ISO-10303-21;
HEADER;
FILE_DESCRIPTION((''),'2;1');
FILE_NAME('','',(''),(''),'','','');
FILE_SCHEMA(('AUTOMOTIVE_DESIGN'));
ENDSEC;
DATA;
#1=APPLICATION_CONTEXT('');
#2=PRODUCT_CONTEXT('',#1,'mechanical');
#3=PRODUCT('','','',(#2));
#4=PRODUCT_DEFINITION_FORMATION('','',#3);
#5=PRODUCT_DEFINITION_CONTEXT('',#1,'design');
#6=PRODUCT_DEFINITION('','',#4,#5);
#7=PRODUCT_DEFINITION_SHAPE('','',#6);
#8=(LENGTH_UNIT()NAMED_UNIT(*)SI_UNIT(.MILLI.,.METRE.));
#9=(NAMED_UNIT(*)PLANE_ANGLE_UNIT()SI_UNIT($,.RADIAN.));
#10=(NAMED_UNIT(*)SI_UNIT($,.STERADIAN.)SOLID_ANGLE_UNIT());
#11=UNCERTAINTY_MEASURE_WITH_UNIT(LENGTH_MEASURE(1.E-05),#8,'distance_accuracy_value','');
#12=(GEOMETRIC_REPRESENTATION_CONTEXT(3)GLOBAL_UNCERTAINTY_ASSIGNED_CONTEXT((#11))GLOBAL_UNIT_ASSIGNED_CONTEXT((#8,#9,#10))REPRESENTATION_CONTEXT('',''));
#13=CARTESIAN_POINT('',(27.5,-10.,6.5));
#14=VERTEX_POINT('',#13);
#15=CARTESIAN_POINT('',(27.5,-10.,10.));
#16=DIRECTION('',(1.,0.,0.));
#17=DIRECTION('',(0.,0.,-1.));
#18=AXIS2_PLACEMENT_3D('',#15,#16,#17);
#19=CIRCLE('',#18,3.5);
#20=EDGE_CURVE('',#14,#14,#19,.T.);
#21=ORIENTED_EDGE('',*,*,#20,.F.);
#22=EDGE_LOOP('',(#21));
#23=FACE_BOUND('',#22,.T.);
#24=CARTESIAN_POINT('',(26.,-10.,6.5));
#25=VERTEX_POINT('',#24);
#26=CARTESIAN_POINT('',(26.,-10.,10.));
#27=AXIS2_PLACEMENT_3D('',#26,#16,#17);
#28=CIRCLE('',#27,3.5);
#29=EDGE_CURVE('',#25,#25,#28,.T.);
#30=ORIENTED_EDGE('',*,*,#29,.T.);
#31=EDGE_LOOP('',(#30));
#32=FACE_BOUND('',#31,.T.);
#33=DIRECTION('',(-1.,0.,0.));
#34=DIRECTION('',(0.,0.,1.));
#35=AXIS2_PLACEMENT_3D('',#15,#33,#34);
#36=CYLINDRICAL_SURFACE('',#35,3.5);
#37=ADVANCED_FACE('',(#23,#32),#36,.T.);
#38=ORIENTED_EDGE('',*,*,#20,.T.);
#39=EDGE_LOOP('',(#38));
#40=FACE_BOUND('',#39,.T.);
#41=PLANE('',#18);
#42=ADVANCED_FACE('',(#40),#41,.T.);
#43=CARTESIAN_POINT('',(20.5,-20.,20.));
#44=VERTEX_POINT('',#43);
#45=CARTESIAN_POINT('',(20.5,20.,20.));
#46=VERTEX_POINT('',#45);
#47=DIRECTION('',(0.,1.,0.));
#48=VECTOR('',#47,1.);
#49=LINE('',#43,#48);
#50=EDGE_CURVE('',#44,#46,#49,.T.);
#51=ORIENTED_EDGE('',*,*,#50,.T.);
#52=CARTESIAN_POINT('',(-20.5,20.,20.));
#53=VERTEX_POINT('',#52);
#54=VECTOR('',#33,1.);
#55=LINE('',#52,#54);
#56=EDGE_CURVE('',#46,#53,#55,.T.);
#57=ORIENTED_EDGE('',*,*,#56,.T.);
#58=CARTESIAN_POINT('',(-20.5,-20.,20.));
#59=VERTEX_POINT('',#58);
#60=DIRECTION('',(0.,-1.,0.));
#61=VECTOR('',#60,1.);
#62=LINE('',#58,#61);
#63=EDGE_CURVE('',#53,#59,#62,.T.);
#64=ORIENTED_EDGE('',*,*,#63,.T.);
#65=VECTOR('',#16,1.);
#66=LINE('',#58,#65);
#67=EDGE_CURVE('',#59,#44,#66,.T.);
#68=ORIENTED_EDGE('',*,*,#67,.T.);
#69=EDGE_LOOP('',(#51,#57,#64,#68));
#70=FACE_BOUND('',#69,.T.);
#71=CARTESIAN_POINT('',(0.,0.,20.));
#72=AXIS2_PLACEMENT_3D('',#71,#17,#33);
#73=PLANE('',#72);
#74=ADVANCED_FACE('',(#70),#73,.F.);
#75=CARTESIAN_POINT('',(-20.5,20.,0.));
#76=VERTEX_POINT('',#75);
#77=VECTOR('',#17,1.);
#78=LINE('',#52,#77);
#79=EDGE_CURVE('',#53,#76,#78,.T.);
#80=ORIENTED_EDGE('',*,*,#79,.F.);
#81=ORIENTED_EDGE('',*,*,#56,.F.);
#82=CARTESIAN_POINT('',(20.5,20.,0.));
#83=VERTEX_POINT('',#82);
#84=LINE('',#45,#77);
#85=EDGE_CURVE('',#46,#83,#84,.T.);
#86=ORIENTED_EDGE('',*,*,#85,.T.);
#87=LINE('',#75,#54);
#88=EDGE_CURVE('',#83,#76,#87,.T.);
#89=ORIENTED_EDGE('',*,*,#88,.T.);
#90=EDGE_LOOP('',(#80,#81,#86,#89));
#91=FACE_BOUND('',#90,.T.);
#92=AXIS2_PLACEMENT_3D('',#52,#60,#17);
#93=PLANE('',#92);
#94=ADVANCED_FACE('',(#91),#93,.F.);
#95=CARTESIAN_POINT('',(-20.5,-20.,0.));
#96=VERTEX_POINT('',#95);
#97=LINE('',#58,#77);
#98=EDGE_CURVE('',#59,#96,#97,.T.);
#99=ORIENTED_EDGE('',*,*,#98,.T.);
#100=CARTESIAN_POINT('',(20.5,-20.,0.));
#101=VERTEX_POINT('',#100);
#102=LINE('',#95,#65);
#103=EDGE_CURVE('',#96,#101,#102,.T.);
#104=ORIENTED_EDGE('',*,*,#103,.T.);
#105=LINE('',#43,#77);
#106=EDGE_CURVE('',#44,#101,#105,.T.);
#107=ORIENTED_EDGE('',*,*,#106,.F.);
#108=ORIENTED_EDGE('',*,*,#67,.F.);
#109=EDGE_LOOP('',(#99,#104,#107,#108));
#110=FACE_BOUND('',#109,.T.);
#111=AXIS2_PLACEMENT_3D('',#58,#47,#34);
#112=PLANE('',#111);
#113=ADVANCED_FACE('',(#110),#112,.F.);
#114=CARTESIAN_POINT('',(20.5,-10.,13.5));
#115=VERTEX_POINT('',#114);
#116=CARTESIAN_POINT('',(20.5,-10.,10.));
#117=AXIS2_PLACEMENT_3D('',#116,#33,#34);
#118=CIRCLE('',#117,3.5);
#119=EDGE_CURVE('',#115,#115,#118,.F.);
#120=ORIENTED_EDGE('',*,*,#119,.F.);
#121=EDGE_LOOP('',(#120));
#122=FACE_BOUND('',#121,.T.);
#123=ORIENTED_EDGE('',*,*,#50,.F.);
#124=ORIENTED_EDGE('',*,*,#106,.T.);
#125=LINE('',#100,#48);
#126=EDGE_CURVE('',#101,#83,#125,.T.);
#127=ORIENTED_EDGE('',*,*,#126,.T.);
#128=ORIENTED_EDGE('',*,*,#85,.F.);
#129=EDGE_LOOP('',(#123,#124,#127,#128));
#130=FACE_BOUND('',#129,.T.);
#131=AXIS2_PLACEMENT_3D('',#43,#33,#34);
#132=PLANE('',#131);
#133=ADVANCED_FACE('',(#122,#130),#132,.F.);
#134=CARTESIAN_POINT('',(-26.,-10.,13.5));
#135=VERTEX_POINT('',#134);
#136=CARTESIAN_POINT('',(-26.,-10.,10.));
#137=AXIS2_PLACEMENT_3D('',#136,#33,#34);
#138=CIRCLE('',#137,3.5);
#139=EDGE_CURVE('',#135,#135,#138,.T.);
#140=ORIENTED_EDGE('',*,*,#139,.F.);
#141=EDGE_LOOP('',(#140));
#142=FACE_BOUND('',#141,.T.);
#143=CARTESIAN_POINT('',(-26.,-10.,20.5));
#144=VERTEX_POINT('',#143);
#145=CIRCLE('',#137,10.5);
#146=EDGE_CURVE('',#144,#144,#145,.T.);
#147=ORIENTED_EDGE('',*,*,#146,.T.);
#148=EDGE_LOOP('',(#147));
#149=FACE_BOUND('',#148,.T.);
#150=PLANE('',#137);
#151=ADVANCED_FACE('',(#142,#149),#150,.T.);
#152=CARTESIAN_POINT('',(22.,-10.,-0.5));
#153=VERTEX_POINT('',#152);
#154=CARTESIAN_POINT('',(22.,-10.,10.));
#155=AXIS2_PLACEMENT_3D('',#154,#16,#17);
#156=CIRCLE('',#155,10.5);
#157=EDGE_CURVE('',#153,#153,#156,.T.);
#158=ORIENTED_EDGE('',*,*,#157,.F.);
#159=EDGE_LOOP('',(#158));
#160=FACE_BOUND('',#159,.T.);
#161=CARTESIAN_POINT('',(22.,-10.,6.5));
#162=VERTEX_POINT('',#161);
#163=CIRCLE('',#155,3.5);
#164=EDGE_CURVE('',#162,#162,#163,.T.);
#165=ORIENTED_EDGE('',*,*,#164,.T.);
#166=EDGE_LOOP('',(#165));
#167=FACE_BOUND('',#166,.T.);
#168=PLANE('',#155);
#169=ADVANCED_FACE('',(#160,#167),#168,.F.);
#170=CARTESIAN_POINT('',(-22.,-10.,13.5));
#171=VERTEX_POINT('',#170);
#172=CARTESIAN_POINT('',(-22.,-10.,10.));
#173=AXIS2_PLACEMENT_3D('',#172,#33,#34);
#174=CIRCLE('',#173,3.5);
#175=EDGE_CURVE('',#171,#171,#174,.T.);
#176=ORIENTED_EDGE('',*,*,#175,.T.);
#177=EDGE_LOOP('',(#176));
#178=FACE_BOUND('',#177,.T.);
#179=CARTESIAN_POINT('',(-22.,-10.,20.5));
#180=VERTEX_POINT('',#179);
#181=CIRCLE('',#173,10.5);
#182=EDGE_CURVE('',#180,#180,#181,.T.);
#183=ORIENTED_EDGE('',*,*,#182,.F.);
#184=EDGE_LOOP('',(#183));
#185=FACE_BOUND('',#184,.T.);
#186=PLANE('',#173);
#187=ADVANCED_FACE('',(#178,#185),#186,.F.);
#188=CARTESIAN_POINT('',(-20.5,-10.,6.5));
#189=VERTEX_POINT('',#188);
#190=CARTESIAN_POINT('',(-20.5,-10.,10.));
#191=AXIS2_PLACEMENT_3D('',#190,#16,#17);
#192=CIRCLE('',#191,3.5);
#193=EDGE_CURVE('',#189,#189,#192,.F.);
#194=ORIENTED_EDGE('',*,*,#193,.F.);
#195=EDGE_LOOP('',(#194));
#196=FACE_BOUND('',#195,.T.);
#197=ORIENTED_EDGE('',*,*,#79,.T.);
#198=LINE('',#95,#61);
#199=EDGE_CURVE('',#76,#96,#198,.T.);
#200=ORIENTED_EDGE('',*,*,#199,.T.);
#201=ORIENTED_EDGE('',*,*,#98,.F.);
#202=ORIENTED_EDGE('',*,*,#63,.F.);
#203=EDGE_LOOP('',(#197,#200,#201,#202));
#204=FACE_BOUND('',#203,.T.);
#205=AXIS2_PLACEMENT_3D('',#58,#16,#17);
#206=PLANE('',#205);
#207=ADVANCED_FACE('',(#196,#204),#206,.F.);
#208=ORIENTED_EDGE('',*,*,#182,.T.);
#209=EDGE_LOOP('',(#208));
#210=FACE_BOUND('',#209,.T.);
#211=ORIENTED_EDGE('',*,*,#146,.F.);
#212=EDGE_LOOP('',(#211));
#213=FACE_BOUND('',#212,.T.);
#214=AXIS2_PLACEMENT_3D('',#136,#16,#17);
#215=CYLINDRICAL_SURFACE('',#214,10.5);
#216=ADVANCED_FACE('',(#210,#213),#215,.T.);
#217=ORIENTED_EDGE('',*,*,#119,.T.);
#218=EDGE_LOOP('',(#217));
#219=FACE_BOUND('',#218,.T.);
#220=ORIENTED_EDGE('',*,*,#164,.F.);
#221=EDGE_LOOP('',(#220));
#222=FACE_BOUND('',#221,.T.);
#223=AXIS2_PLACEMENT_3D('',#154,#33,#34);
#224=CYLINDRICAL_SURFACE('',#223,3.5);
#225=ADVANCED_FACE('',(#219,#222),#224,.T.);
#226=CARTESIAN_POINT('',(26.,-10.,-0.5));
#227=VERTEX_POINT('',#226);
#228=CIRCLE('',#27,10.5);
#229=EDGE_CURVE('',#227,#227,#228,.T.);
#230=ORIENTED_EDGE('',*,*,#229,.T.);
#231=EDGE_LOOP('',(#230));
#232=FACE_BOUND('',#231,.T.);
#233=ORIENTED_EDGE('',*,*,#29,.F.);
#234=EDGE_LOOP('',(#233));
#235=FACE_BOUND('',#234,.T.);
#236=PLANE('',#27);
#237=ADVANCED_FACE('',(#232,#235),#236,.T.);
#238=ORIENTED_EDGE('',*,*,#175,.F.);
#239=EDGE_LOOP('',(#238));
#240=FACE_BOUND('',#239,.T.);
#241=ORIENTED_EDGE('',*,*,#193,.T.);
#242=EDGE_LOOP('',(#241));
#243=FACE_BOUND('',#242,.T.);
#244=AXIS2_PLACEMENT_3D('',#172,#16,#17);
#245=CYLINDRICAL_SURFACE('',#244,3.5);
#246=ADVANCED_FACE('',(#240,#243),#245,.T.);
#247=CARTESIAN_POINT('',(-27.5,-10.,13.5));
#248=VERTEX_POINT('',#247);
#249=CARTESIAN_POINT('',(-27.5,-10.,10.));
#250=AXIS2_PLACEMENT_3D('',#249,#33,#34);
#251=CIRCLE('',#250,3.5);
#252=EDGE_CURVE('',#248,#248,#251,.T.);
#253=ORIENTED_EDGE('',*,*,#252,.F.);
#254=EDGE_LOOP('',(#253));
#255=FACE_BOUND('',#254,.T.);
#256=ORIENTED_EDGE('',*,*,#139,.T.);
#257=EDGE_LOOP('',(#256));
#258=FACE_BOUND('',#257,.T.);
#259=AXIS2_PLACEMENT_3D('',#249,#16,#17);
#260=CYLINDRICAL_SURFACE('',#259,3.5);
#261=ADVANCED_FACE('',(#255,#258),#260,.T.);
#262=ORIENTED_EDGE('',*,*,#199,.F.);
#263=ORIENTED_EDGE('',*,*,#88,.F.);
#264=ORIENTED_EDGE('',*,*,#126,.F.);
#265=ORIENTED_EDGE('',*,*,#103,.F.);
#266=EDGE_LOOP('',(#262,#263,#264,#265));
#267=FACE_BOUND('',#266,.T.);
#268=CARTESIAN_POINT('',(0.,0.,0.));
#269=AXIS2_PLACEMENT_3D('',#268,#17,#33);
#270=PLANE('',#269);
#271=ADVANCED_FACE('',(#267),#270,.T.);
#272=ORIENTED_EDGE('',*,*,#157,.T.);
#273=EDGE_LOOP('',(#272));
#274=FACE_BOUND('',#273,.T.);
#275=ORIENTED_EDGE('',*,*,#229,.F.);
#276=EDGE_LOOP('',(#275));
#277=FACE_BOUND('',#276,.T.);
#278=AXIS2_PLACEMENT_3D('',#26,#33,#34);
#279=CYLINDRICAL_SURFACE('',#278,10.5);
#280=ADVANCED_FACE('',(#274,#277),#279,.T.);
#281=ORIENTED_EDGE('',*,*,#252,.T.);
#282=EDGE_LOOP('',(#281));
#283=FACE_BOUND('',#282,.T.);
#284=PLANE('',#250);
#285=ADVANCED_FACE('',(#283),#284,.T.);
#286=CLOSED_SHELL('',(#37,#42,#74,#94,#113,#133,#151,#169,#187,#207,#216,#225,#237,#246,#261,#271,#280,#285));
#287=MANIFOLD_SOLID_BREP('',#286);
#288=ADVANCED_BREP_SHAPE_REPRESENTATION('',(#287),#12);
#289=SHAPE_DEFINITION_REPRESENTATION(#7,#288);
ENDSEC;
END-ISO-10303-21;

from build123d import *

# Parameters (mm, degrees)
CROQUIS1_W              = 41
CROQUIS1_H              = 40
SALIENTE_EXTRUIR1_DEPTH = 20
CROQUIS2_R              = 3.5
SALIENTE_EXTRUIR2_DEPTH = 1.5
SALIENTE_EXTRUIR3_START = 1.5
CROQUIS3_R              = 3.5
SALIENTE_EXTRUIR3_DEPTH = 1.5
CROQUIS4_R              = 10.5
SALIENTE_EXTRUIR4_DEPTH = 4
SALIENTE_EXTRUIR5_START = 4
CROQUIS5_R              = 10.5
SALIENTE_EXTRUIR5_DEPTH = 4
SALIENTE_EXTRUIR8_START = 1.5
CROQUIS8_R              = 3.5
SALIENTE_EXTRUIR8_DEPTH = 1.5
CROQUIS9_R              = 3.5
SALIENTE_EXTRUIR9_DEPTH = 1.5


with BuildPart() as part:
    # Croquis1 → Saliente-Extruir1 (new body)
    with BuildSketch(Plane.XY):
        Rectangle(CROQUIS1_W, CROQUIS1_H)
    extrude(amount=SALIENTE_EXTRUIR1_DEPTH)

    # Croquis2 → Saliente-Extruir2 (add)
    with BuildSketch(Plane(origin=(20.5, 0, 0), x_dir=(0, 0, -1), z_dir=(1, 0, 0))):
        with Locations(Location((-10, -10, 0), (0, 0, 180))):
            Circle(CROQUIS2_R)
    extrude(amount=SALIENTE_EXTRUIR2_DEPTH)

    # Croquis3 → Saliente-Extruir3 (add)
    with BuildSketch(Plane.ZY.offset(20.5).offset(SALIENTE_EXTRUIR3_START)):
        with Locations((10, -10)):
            Circle(CROQUIS3_R)
    extrude(amount=-SALIENTE_EXTRUIR3_DEPTH)

    # Croquis4 → Saliente-Extruir4 (add)
    with BuildSketch(Plane(origin=(22, 0, 0), x_dir=(0, 0, -1), z_dir=(1, 0, 0))):
        with Locations((-10, -10)):
            Circle(CROQUIS4_R)
    extrude(amount=SALIENTE_EXTRUIR4_DEPTH)

    # Croquis5 → Saliente-Extruir5 (add)
    with BuildSketch(Plane.ZY.offset(22).offset(SALIENTE_EXTRUIR5_START)):
        with Locations(Location((10, -10, 0), (0, 0, 180))):
            Circle(CROQUIS5_R)
    extrude(amount=-SALIENTE_EXTRUIR5_DEPTH)

    # Croquis8 → Saliente-Extruir8 (add)
    with BuildSketch(Plane.ZY.offset(26).offset(SALIENTE_EXTRUIR8_START)):
        with Locations((10, -10)):
            Circle(CROQUIS8_R)
    extrude(amount=-SALIENTE_EXTRUIR8_DEPTH)

    # Croquis9 → Saliente-Extruir9 (add)
    with BuildSketch(Plane(origin=(26, 0, 0), x_dir=(0, 0, -1), z_dir=(1, 0, 0))):
        with Locations(Location((-10, -10, 0), (0, 0, 180))):
            Circle(CROQUIS9_R)
    extrude(amount=SALIENTE_EXTRUIR9_DEPTH)


solid = part.part
